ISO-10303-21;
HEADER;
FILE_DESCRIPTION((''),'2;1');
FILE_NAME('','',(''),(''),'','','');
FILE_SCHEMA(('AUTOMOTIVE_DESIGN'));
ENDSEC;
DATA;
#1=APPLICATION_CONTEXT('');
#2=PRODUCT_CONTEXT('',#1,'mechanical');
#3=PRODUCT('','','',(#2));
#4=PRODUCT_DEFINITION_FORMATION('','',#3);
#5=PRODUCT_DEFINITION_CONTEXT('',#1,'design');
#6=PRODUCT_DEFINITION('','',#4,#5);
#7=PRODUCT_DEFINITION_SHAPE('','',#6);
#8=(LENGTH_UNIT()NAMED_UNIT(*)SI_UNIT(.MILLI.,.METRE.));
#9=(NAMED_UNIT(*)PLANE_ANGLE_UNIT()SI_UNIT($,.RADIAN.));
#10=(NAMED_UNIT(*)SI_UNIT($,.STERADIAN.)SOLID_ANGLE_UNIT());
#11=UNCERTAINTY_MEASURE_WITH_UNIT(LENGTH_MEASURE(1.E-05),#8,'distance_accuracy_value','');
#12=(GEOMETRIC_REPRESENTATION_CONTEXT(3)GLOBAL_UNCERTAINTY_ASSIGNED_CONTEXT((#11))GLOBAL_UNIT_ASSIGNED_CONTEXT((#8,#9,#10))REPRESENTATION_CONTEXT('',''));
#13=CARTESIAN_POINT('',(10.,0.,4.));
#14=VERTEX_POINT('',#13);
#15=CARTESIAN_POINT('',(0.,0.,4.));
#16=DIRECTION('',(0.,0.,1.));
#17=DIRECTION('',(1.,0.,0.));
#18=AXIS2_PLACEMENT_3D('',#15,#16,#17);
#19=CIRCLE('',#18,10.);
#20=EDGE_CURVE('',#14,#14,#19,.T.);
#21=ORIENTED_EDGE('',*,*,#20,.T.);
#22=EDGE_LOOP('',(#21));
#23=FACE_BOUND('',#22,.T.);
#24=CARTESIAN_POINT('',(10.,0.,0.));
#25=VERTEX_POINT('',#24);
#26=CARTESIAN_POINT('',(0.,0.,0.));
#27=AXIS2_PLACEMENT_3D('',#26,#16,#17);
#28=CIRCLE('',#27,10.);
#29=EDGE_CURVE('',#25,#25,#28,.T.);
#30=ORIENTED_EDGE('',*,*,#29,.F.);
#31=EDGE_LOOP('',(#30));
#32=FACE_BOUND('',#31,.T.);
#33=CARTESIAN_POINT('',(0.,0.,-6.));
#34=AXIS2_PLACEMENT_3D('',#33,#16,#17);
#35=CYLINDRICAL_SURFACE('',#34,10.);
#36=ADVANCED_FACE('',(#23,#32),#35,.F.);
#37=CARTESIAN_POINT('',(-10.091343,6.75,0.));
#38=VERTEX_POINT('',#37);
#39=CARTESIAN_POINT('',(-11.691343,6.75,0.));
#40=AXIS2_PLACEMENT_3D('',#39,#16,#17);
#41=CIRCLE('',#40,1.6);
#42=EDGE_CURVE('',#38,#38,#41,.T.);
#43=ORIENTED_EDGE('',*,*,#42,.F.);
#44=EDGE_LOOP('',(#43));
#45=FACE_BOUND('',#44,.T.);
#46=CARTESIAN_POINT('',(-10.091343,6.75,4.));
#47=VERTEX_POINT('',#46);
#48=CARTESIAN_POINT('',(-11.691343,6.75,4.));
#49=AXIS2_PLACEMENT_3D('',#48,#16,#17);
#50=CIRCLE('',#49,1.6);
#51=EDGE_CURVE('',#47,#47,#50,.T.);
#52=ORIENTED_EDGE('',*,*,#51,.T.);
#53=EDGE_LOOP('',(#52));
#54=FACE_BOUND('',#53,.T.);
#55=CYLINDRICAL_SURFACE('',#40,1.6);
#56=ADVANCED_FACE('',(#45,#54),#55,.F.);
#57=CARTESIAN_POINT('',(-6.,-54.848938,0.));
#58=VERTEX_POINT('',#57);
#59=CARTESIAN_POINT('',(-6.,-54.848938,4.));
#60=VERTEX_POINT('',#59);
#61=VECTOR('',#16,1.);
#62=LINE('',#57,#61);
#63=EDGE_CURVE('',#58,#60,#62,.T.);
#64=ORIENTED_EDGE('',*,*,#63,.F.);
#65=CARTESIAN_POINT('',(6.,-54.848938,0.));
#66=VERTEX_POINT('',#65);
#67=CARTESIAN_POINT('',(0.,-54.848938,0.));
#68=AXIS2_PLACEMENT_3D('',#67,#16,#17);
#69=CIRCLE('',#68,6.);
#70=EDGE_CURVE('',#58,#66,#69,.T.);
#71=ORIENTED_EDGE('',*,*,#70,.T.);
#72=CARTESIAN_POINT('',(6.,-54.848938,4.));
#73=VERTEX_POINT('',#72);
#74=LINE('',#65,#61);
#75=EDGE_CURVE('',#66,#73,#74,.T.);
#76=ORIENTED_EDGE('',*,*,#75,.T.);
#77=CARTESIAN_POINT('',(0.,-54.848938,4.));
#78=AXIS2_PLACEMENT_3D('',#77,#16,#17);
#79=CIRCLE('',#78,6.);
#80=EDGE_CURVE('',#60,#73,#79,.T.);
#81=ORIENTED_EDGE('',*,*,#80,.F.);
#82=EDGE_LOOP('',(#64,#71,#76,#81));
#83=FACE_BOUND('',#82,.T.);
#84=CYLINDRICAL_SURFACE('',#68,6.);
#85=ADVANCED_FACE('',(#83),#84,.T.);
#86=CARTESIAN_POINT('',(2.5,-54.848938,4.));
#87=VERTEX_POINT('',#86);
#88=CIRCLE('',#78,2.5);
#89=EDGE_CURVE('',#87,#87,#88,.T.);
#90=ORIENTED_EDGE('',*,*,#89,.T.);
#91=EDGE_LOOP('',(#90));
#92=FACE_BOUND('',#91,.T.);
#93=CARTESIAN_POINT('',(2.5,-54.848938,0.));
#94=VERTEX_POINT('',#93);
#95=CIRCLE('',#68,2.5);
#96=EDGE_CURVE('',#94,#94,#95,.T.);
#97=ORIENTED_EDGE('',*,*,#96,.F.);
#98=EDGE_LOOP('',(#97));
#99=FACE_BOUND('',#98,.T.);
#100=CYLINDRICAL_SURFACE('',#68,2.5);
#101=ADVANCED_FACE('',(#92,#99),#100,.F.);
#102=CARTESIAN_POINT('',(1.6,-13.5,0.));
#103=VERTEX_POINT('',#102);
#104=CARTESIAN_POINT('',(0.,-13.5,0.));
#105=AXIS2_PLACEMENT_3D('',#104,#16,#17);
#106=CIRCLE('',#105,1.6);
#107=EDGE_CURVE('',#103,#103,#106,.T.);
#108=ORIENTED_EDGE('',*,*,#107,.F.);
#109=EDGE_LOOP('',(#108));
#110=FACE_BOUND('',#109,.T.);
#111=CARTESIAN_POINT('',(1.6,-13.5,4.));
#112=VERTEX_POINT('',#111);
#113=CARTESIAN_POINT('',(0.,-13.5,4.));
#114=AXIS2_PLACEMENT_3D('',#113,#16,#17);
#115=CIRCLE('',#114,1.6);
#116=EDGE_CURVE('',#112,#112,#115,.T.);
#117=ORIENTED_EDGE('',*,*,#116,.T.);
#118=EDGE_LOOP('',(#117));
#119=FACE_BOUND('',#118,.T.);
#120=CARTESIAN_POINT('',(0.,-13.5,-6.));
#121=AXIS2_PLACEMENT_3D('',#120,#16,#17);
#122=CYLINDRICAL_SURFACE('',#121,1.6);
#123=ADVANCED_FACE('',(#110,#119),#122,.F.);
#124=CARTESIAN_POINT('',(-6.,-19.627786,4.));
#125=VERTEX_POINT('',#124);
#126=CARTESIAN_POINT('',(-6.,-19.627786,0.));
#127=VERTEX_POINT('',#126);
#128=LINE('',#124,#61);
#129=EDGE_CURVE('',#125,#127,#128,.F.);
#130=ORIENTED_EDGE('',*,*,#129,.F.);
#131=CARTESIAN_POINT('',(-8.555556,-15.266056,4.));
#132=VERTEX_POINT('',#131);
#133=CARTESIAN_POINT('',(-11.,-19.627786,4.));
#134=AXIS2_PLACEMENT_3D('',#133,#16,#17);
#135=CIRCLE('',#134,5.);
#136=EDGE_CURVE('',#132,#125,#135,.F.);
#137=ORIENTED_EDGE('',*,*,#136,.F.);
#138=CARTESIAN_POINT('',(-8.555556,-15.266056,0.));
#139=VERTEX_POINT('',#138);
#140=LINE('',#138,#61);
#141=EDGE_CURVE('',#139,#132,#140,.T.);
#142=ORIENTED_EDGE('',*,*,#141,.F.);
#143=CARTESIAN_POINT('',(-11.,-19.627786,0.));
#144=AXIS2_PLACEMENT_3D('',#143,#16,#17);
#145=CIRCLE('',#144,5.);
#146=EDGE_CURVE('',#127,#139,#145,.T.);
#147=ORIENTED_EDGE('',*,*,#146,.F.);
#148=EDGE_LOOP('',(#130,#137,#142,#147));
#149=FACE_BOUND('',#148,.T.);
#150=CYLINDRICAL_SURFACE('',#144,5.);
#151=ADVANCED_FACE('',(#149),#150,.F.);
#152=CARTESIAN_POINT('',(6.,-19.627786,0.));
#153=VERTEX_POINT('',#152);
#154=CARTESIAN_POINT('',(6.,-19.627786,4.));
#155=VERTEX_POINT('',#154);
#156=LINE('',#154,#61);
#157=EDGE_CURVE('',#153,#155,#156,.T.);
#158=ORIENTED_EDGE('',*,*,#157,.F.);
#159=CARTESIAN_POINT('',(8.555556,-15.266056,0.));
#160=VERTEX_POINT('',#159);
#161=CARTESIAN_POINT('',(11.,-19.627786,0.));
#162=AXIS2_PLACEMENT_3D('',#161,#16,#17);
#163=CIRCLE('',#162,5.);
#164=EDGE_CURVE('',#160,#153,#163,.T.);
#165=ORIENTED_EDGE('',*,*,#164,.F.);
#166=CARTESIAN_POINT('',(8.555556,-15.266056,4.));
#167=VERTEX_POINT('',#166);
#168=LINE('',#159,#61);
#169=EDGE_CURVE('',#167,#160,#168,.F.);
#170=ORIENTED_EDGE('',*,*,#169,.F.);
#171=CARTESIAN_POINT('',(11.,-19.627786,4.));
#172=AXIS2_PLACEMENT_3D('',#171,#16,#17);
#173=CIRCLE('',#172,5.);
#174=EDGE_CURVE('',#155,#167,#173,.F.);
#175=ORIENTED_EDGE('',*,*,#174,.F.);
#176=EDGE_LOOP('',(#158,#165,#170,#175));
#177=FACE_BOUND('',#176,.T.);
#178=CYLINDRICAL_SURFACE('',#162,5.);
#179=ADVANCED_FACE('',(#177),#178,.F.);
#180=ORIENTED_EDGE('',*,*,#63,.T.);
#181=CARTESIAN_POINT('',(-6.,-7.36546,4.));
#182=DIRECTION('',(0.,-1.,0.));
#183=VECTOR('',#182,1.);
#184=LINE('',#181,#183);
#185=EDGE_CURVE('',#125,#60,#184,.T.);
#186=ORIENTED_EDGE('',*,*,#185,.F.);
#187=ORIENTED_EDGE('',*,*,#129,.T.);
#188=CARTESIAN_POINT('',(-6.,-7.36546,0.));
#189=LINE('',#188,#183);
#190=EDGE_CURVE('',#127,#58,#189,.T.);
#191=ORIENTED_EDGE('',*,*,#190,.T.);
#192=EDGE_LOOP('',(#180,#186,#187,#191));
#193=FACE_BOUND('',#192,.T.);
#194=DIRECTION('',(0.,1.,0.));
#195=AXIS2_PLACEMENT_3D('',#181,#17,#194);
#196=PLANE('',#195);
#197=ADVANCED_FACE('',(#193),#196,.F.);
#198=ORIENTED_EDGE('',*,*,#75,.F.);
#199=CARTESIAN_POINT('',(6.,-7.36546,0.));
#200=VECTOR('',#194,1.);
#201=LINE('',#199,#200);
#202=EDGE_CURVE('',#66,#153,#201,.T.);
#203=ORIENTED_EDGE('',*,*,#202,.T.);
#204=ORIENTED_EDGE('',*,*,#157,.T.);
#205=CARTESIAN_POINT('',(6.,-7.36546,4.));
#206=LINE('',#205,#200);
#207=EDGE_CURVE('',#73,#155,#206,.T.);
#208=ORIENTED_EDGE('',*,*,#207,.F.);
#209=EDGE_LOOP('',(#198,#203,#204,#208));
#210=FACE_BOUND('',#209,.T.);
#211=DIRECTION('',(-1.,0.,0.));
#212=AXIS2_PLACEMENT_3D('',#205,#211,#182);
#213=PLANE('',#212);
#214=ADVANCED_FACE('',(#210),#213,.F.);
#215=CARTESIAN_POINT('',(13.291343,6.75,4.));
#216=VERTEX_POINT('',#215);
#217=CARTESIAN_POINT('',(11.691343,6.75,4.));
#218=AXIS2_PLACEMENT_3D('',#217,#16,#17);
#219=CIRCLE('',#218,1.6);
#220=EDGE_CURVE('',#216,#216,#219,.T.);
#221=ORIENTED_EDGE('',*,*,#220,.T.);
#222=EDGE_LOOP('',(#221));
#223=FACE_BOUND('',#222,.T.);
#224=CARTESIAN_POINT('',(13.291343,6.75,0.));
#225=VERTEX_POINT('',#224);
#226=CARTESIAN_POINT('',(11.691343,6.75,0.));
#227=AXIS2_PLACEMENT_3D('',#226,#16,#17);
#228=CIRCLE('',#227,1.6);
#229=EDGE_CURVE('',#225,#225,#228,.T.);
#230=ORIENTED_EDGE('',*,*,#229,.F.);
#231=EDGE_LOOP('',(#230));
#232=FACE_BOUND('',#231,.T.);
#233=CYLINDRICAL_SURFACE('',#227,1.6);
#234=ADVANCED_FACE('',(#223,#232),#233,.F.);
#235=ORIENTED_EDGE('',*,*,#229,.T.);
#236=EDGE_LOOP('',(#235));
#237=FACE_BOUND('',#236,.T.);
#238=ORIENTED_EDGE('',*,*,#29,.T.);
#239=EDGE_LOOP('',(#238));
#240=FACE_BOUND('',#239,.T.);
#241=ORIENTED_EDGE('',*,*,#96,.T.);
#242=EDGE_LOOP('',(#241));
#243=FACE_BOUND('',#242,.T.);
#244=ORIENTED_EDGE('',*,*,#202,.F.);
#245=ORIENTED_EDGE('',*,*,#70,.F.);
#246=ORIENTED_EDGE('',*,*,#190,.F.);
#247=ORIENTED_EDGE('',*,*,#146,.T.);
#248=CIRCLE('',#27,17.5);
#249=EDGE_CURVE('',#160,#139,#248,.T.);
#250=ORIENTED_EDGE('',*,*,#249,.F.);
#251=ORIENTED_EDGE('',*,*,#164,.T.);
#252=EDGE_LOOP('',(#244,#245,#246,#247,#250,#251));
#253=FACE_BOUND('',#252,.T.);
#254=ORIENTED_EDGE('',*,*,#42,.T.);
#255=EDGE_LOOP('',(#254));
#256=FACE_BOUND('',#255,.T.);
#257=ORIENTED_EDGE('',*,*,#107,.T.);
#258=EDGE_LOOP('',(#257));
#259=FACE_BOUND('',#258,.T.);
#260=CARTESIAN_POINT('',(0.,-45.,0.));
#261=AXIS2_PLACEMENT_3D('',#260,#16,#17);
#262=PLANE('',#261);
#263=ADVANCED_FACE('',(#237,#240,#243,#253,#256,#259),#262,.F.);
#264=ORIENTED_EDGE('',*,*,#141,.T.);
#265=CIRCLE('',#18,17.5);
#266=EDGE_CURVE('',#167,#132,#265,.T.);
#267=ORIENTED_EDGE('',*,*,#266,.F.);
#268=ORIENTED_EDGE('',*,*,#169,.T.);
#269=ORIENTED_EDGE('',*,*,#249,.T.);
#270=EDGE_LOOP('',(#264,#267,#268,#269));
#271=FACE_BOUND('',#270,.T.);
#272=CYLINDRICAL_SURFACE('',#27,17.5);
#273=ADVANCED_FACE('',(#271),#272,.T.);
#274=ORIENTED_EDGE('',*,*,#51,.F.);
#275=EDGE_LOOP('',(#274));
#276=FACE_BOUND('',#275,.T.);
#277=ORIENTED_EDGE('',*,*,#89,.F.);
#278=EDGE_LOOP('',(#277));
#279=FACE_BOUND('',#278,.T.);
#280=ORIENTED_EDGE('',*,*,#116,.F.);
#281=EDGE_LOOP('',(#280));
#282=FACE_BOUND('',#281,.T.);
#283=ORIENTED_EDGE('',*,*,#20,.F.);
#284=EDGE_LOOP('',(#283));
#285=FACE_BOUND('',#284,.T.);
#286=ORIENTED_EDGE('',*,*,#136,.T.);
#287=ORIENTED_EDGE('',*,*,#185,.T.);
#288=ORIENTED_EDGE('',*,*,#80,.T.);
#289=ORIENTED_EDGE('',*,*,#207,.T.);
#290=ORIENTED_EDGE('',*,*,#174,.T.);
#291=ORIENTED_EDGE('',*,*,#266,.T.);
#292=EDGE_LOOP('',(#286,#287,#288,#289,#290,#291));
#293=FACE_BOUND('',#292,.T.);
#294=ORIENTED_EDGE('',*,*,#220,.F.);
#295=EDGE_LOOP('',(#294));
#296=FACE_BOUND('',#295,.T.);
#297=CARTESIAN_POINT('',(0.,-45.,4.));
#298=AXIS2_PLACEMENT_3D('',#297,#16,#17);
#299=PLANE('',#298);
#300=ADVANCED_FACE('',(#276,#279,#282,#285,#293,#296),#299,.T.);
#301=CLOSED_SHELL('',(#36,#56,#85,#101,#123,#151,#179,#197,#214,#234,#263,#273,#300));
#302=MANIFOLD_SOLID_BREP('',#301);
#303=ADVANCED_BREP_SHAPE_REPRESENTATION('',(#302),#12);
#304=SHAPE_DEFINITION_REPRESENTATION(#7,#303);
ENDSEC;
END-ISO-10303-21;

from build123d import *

# Parameters (mm, degrees)
EXTRUDE_1_DEPTH     = 4
SKETCH_3_R          = 2.5
CUT_EXTRUDE_1_DEPTH = 24
SKETCH_4_R          = 1.525
CUT_EXTRUDE_2_DEPTH = 5
SKETCH_5_R          = 2.5
CUT_EXTRUDE_3_DEPTH = 5
FILLET_1_R          = 5
SKETCH_6_R          = 1.6
SKETCH_6_R_2        = 10
CUT_EXTRUDE_4_DEPTH = 10
SKETCH_7_R          = 17.5
SKETCH_7_R_2        = 10
SKETCH_7_R_3        = 1.6
EXTRUDE_2_DEPTH     = 4
FILLET_2_R          = 5
EXTRUDE_START       = -4
SKETCH_8_R          = 2.5
EXTRUDE_3_DEPTH     = 4
SKETCH_9_R          = 2.5
EXTRUDE_4_DEPTH     = 4


with BuildPart() as part:
    # 草图1 → 凸台-拉伸1 (new body)
    with BuildSketch(Plane.XY):
        with BuildLine():
            Line((6, -7.365459931), (6, -45))
            ThreePointArc((6, -45), (0, -51), (-6, -45))
            Line((-6, -45), (-6, -7.365459931))
            ThreePointArc((-6, -7.365459931), (0, 9.5), (6, -7.365459931))
        make_face()
    extrude(amount=EXTRUDE_1_DEPTH)

    # 草图3 → 切除-拉伸1 (cut)
    with BuildSketch(Plane.XY.offset(4)):
        with Locations((0, -45)):
            Circle(SKETCH_3_R)
    extrude(amount=-CUT_EXTRUDE_1_DEPTH, mode=Mode.SUBTRACT)

    # 草图4 → 切除-拉伸2 (cut)
    with BuildSketch(Plane.XY.offset(4)):
        with Locations((0, 6.25)):
            Circle(SKETCH_4_R)
        with Locations((0, -6.25)):
            Circle(SKETCH_4_R)
    extrude(amount=-CUT_EXTRUDE_2_DEPTH, mode=Mode.SUBTRACT)

    # 草图5 → 切除-拉伸3 (cut)
    with BuildSketch(Plane.XY.offset(4)):
        Circle(SKETCH_5_R)
    extrude(amount=-CUT_EXTRUDE_3_DEPTH, mode=Mode.SUBTRACT)

    # 圆角1
    fillet_1_edges = [part.edges().sort_by_distance(p)[0] for p in [
        (-6, -7.365459931, 2),
        (6, -7.365459931, 2),
    ]]
    fillet(fillet_1_edges, radius=FILLET_1_R)

    # 草图6 → 切除-拉伸4 (cut)
    with BuildSketch(Plane.XY.offset(4)):
        with Locations((0, -13.5)):
            Circle(SKETCH_6_R)
        Circle(SKETCH_6_R_2)
    extrude(amount=-CUT_EXTRUDE_4_DEPTH, mode=Mode.SUBTRACT)

    # 草图7 → 凸台-拉伸2 (add)
    with BuildSketch(Plane.XY.offset(4)):
        Circle(SKETCH_7_R)
        Circle(SKETCH_7_R_2, mode=Mode.SUBTRACT)
        with Locations((11.691342951, 6.75)):
            Circle(SKETCH_7_R_3, mode=Mode.SUBTRACT)
        with Locations((-11.691342951, 6.75)):
            Circle(SKETCH_7_R_3, mode=Mode.SUBTRACT)
        with Locations((0, -13.5)):
            Circle(SKETCH_7_R_3, mode=Mode.SUBTRACT)
    extrude(amount=-EXTRUDE_2_DEPTH)

    # 圆角2
    fillet_2_edges = [part.edges().sort_by_distance(p)[0] for p in [
        (6, -16.439282223, 2),
        (-6, -16.439282223, 2),
    ]]
    fillet(fillet_2_edges, radius=FILLET_2_R)

    # 草图8 → 凸台-拉伸3 (add)
    # profile 1 of 4: a face of its own
    with BuildSketch(Plane.XY.offset(4).offset(EXTRUDE_START)):
        with BuildLine():
            ThreePointArc((3.427769437, -49.924469178), (5.318205366, -52.071044966), (6, -54.848938357))
            Line((6, -54.848938357), (6, -45))
            ThreePointArc((6, -45), (5.318205366, -47.777893391), (3.427769437, -49.924469178))
        make_face()
    # profile 2 of 4: a face of its own
    with BuildSketch(Plane.XY.offset(4).offset(EXTRUDE_START)):
        with BuildLine():
            Line((-6, -45), (-6, -54.848938357))
            ThreePointArc((-6, -54.848938357), (-5.318205366, -52.071044966), (-3.427769437, -49.924469178))
            ThreePointArc((-3.427769437, -49.924469178), (-5.318205366, -47.777893391), (-6, -45))
        make_face()
    # profile 3 of 4: a face of its own
    with BuildSketch(Plane.XY.offset(4).offset(EXTRUDE_START)):
        with BuildLine():
            Line((-6, -40), (-6, -45))
            ThreePointArc((-6, -45), (-5.318205366, -47.777893391), (-3.427769437, -49.924469178))
            ThreePointArc((-3.427769437, -49.924469178), (0, -48.848938357), (3.427769437, -49.924469178))
            ThreePointArc((3.427769437, -49.924469178), (5.318205366, -47.777893391), (6, -45))
            Line((6, -45), (6, -40))
            Line((6, -40), (-6, -40))
        make_face()
        with Locations((0, -45)):
            Circle(SKETCH_8_R, mode=Mode.SUBTRACT)
    # profile 4 of 4: a face of its own
    with BuildSketch(Plane.XY.offset(4).offset(EXTRUDE_START)):
        with BuildLine():
            ThreePointArc((-3.427769437, -49.924469178), (-5.318205366, -52.071044966), (-6, -54.848938357))
            ThreePointArc((-6, -54.848938357), (0, -60.848938357), (6, -54.848938357))
            ThreePointArc((6, -54.848938357), (5.318205366, -52.071044966), (3.427769437, -49.924469178))
            ThreePointArc((3.427769437, -49.924469178), (0, -51), (-3.427769437, -49.924469178))
        make_face()
        with Locations((0, -54.848938357)):
            Circle(SKETCH_8_R, mode=Mode.SUBTRACT)
    extrude(amount=EXTRUDE_3_DEPTH)

    # 草图9 → 凸台-拉伸4 (add)
    with BuildSketch(Plane.XY.offset(4)):
        with Locations((0, -45)):
            Circle(SKETCH_9_R)
    extrude(amount=-EXTRUDE_4_DEPTH)


solid = part.part
